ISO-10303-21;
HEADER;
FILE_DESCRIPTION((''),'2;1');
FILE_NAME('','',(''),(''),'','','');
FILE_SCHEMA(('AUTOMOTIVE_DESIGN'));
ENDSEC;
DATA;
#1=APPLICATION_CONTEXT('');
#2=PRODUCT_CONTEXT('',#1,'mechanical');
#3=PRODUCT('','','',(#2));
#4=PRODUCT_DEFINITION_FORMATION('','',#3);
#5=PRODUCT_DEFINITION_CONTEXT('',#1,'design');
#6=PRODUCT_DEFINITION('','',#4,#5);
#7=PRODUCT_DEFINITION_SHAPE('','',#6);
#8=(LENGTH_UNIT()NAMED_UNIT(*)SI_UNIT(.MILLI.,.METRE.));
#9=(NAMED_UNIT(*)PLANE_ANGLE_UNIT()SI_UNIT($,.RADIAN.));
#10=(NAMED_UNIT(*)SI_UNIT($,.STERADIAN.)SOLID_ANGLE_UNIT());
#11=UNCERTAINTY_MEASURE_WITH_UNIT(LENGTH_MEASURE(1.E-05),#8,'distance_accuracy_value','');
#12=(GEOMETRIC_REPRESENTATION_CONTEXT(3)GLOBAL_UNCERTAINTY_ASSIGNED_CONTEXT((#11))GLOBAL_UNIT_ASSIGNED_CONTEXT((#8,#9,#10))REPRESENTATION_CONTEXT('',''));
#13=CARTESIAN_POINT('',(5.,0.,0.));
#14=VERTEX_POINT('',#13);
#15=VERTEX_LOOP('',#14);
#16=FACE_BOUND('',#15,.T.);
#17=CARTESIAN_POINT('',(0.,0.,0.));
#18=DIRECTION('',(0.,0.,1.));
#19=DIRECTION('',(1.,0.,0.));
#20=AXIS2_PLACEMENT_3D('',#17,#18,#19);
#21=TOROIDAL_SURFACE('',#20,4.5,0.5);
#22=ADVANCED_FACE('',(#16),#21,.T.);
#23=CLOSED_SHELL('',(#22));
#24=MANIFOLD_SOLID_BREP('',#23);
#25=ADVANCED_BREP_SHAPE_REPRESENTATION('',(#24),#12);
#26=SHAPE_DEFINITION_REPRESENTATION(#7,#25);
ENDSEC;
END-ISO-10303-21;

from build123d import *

# Parameters (mm, degrees)
SKETCH1_R = 0.5


with BuildPart() as part:
    # Sketch1 → Revolve1 (revolve)
    with BuildSketch(Plane(origin=(0, 0, 0), x_dir=(0, -1, 0), z_dir=(1, 0, 0))):
        with Locations((4.5, 0)):
            Circle(SKETCH1_R)
    revolve(axis=Axis((0, 0, 0.5), (0, 0, -1)))


solid = part.part
